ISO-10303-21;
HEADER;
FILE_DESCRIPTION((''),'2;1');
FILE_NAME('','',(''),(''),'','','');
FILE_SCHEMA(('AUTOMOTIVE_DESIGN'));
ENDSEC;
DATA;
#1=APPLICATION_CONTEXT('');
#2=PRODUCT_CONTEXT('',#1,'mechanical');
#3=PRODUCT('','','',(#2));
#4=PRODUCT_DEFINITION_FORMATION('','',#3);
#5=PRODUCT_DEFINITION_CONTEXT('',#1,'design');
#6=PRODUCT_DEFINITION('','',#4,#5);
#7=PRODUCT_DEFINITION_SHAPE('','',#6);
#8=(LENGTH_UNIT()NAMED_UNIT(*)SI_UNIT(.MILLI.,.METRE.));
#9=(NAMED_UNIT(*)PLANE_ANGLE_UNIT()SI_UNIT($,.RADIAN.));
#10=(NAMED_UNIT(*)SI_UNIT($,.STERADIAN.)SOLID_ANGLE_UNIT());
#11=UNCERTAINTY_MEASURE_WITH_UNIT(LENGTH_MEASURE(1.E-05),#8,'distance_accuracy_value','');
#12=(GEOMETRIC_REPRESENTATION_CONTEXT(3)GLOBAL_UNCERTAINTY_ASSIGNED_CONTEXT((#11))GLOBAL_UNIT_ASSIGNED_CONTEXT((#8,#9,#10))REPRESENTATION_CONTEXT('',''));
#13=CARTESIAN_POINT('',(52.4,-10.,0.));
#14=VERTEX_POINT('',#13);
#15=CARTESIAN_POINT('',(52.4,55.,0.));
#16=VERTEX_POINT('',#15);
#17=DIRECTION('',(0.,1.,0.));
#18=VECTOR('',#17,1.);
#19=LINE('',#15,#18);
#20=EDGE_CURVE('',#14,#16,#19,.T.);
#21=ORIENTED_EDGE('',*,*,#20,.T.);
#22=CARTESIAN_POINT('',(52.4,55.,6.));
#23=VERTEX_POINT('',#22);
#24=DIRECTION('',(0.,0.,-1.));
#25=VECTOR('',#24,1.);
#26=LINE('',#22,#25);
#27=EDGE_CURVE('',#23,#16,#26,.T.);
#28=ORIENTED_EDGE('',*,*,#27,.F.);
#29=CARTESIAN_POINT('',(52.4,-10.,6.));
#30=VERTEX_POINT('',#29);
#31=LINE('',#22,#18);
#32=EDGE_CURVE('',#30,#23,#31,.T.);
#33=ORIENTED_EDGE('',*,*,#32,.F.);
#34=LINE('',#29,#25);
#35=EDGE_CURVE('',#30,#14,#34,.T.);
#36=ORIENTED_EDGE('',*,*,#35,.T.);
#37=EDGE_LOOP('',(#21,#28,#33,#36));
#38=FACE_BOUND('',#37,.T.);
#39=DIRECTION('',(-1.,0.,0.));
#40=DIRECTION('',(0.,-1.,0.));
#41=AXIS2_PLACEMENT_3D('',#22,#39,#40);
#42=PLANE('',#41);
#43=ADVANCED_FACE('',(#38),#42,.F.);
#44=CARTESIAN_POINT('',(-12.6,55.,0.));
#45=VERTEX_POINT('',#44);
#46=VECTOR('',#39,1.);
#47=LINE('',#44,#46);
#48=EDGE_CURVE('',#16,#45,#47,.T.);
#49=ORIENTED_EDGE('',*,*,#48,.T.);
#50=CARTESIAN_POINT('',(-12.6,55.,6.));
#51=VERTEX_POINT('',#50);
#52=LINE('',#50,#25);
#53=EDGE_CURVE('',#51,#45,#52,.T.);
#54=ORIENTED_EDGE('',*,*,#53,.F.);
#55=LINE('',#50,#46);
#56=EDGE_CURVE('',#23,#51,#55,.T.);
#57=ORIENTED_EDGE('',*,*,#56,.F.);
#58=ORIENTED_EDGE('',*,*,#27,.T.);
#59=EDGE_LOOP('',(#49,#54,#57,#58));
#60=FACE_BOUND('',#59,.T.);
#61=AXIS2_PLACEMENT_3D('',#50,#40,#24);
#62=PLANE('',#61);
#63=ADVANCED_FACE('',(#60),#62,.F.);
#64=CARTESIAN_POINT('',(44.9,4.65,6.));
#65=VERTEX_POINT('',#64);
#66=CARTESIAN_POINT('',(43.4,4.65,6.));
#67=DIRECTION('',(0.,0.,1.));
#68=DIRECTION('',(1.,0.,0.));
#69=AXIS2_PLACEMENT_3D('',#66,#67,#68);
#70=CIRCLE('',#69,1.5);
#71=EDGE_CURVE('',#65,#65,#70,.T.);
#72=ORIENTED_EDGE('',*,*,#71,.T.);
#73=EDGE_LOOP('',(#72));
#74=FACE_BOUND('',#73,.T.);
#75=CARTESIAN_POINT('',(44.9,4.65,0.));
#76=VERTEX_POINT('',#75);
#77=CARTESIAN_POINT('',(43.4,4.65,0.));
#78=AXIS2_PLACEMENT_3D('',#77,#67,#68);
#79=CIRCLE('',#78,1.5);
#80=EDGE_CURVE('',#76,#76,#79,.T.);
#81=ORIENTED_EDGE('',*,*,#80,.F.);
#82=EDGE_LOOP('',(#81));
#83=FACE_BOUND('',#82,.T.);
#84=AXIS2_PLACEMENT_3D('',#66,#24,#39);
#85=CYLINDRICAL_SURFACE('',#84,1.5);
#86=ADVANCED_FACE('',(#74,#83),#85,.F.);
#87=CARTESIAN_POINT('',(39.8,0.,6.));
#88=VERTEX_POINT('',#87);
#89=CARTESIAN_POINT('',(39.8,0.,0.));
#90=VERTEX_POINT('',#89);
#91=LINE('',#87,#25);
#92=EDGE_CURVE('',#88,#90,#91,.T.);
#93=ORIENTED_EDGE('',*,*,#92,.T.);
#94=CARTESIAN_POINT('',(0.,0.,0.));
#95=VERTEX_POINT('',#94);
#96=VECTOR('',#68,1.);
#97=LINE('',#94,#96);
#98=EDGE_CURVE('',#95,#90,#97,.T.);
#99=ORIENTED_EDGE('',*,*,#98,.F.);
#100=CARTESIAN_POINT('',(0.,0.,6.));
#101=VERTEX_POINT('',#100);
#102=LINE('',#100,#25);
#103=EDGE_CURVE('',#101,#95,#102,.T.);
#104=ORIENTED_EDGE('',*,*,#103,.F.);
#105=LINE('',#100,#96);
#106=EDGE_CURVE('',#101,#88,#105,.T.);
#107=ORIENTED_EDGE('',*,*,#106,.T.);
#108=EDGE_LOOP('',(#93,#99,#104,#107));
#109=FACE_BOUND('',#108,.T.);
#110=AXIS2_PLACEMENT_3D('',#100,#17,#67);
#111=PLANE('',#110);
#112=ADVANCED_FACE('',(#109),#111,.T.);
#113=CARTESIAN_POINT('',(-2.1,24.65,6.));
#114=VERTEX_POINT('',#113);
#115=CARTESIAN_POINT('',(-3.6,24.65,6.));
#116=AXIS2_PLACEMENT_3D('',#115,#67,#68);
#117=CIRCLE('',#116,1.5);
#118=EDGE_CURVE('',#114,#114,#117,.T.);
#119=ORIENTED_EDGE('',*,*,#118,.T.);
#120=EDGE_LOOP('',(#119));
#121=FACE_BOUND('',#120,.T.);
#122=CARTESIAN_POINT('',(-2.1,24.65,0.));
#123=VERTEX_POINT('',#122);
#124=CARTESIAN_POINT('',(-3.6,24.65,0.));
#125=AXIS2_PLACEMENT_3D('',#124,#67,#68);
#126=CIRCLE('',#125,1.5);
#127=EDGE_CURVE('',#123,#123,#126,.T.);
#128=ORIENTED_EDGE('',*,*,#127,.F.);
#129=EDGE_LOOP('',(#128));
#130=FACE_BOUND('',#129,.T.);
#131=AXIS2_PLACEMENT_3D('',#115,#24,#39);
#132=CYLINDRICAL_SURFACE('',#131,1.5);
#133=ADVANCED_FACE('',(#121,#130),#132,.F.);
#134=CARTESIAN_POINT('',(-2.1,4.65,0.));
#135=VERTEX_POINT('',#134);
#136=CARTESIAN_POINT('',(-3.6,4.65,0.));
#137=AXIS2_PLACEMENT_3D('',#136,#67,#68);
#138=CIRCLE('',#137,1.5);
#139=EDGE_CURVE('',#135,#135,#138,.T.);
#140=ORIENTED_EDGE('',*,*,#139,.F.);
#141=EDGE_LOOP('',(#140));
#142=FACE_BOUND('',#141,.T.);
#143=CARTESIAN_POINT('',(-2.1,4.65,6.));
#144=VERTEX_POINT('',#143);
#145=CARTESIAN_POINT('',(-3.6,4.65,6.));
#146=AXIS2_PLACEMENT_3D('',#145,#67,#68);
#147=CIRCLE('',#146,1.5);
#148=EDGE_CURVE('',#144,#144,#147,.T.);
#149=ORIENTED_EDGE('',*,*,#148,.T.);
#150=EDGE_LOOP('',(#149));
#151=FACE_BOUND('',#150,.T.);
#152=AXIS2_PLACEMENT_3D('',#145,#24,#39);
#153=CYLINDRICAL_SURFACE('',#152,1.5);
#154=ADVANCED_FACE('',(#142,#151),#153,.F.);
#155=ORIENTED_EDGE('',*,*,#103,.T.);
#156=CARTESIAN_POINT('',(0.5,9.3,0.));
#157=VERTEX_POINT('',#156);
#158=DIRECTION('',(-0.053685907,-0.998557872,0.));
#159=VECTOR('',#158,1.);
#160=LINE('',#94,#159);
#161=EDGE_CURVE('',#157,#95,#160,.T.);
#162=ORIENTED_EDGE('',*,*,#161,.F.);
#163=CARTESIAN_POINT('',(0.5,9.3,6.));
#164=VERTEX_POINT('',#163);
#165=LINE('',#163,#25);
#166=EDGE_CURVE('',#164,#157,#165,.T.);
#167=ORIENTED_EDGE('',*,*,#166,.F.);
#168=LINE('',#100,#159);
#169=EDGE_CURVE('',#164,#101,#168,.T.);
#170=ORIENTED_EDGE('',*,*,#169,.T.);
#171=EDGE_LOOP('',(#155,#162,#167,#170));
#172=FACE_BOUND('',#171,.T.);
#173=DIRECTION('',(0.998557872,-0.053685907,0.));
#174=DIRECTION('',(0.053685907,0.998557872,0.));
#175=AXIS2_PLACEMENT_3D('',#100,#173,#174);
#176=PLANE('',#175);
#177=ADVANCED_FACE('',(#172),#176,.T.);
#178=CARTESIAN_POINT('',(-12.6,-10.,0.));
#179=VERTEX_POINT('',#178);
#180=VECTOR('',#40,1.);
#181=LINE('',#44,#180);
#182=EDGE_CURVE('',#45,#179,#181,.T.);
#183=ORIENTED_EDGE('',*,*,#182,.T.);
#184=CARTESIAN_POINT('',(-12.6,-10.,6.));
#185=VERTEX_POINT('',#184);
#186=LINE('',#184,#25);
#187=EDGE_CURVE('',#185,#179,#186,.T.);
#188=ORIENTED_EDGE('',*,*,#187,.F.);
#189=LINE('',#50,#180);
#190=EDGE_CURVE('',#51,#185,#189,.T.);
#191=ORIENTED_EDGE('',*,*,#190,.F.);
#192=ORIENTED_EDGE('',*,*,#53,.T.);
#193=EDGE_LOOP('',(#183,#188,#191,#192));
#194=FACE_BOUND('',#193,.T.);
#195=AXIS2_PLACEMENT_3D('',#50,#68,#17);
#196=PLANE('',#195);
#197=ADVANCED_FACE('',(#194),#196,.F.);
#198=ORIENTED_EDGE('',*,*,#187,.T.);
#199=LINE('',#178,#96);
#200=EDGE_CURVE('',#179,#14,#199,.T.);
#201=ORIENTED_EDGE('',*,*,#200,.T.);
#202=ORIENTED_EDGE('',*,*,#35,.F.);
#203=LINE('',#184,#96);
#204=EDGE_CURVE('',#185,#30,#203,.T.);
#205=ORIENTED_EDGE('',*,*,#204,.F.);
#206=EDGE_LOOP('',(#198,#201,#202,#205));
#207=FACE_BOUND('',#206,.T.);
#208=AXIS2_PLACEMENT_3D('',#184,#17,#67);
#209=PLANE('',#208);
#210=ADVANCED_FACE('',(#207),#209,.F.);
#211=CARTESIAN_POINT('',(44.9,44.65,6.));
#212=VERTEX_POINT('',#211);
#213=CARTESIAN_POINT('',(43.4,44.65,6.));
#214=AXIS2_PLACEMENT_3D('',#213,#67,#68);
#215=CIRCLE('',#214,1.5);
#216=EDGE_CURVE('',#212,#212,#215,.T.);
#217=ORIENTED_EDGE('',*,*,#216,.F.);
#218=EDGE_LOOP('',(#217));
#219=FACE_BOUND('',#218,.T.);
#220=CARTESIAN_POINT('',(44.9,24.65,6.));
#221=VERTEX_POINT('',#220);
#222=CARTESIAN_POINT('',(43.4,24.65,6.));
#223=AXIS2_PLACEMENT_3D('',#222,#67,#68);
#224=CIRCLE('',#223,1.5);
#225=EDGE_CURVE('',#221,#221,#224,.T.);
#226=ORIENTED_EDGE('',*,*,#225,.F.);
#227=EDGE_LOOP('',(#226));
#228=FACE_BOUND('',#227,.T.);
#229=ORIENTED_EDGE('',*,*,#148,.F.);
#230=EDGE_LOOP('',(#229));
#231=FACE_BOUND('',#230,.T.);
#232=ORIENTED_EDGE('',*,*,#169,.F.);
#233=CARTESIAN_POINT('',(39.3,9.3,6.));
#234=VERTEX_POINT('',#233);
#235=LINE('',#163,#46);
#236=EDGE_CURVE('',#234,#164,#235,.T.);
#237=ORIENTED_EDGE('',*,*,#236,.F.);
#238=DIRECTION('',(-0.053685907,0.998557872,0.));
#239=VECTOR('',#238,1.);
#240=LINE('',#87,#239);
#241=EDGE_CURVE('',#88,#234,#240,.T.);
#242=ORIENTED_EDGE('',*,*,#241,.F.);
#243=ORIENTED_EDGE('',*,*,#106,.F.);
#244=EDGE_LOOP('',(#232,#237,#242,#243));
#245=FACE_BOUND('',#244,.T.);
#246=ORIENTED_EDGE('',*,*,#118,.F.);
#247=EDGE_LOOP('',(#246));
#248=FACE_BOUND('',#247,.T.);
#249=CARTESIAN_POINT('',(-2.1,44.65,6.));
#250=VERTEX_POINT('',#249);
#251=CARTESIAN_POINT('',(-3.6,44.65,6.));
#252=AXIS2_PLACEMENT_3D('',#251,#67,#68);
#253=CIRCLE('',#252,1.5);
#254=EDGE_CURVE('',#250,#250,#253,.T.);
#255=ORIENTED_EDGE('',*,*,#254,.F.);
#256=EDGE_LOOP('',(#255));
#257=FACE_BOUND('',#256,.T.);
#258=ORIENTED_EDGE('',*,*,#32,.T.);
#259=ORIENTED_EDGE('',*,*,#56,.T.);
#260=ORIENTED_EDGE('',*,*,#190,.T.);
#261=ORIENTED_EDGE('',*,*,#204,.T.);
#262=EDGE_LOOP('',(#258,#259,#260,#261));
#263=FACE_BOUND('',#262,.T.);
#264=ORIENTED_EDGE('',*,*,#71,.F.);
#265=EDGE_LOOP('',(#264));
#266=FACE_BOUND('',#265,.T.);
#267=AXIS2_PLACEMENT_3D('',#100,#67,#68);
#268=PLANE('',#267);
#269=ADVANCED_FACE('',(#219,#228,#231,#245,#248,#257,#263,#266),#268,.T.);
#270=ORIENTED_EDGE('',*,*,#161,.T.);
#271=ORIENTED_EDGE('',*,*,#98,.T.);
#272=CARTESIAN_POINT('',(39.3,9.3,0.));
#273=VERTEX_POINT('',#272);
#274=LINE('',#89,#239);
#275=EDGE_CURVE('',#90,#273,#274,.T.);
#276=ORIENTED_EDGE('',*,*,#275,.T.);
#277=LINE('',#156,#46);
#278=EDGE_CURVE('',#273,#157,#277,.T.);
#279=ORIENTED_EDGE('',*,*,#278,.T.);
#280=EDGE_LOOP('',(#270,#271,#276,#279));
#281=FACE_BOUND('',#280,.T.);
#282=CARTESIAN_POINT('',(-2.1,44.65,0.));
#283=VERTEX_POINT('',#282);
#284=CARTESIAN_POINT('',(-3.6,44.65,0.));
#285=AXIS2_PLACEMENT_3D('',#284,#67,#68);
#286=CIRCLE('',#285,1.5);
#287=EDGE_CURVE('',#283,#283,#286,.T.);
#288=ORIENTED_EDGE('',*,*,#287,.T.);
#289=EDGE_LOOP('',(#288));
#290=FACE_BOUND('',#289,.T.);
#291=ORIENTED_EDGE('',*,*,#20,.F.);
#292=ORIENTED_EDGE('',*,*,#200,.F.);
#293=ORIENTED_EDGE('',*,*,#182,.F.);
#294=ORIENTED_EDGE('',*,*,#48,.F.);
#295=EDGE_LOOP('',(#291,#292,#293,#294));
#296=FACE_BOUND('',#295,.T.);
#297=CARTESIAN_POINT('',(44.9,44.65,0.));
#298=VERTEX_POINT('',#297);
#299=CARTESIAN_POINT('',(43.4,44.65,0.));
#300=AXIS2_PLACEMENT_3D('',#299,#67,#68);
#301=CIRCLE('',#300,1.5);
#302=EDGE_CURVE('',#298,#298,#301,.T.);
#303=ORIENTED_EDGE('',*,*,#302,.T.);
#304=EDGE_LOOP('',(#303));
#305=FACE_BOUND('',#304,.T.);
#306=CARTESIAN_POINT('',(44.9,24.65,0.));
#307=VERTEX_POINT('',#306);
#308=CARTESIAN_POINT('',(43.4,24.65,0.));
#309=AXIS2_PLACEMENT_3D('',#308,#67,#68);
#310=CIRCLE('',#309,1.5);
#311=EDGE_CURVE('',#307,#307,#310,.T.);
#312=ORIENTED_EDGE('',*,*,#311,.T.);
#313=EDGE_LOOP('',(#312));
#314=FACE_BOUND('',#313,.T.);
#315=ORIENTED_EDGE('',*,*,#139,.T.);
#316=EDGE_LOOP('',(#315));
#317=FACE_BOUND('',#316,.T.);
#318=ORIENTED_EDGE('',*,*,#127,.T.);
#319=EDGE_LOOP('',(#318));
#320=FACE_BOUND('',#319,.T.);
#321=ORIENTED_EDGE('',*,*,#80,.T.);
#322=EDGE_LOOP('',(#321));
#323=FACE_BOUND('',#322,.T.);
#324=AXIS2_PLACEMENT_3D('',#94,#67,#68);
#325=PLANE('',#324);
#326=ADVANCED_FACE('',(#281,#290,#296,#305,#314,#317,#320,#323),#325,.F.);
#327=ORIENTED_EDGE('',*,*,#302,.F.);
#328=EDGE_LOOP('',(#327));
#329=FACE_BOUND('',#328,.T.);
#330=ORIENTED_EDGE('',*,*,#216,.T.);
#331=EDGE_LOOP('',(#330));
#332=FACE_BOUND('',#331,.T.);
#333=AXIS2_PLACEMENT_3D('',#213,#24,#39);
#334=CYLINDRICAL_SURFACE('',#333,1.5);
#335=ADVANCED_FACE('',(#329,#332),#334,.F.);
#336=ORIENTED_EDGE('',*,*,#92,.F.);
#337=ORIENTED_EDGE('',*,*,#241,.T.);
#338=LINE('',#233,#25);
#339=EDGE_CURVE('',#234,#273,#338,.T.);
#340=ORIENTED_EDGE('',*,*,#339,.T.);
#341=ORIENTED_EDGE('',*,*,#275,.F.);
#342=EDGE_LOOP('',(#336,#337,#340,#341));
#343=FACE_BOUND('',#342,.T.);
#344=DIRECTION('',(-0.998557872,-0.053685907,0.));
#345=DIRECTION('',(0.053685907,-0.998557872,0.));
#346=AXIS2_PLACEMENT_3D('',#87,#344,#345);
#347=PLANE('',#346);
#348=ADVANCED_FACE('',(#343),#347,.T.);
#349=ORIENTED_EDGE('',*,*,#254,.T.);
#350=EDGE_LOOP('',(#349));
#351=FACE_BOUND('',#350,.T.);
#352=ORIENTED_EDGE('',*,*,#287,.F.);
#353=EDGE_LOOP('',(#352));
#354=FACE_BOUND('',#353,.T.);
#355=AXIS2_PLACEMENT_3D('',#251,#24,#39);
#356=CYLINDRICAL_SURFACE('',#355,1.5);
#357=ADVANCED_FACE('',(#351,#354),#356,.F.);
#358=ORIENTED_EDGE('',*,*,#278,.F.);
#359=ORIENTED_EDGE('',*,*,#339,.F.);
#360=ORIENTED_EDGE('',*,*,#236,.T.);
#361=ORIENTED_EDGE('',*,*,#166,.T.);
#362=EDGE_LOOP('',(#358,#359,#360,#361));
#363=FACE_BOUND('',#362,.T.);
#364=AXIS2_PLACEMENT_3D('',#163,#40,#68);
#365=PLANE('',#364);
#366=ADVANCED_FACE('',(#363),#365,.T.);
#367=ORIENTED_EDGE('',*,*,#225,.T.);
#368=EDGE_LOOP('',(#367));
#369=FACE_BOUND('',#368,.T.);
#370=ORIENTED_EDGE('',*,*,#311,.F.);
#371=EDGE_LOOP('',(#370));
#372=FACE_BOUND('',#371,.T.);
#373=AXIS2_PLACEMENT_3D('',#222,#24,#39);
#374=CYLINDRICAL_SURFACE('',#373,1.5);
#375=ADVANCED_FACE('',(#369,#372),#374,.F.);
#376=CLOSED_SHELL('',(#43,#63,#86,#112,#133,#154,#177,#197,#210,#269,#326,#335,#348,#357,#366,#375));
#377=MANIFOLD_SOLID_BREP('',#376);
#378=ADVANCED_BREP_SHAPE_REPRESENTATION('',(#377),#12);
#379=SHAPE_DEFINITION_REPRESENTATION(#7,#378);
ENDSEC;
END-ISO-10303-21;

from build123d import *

# Parameters (mm, degrees)
SKETCH1_W           = 65
SKETCH1_H           = 65
SKETCH1_R           = 1.5
BOSS_EXTRUDE1_DEPTH = 6


with BuildPart() as part:
    # Sketch1 → Boss-Extrude1 (new body)
    with BuildSketch(Plane.XY):
        with Locations((19.9, 22.5)):
            Rectangle(SKETCH1_W, SKETCH1_H)
        with Locations((-3.6, 4.65)):
            Circle(SKETCH1_R, mode=Mode.SUBTRACT)
        with Locations((43.4, 4.65)):
            Circle(SKETCH1_R, mode=Mode.SUBTRACT)
        with Locations((-3.6, 24.65)):
            Circle(SKETCH1_R, mode=Mode.SUBTRACT)
        with Locations((43.4, 24.65)):
            Circle(SKETCH1_R, mode=Mode.SUBTRACT)
        with Locations((-3.6, 44.65)):
            Circle(SKETCH1_R, mode=Mode.SUBTRACT)
        with Locations((43.4, 44.65)):
            Circle(SKETCH1_R, mode=Mode.SUBTRACT)
        Polygon((0, 0), (39.8, 0), (39.3, 9.3), (0.5, 9.3), align=None, mode=Mode.SUBTRACT)
    extrude(amount=BOSS_EXTRUDE1_DEPTH)


solid = part.part
